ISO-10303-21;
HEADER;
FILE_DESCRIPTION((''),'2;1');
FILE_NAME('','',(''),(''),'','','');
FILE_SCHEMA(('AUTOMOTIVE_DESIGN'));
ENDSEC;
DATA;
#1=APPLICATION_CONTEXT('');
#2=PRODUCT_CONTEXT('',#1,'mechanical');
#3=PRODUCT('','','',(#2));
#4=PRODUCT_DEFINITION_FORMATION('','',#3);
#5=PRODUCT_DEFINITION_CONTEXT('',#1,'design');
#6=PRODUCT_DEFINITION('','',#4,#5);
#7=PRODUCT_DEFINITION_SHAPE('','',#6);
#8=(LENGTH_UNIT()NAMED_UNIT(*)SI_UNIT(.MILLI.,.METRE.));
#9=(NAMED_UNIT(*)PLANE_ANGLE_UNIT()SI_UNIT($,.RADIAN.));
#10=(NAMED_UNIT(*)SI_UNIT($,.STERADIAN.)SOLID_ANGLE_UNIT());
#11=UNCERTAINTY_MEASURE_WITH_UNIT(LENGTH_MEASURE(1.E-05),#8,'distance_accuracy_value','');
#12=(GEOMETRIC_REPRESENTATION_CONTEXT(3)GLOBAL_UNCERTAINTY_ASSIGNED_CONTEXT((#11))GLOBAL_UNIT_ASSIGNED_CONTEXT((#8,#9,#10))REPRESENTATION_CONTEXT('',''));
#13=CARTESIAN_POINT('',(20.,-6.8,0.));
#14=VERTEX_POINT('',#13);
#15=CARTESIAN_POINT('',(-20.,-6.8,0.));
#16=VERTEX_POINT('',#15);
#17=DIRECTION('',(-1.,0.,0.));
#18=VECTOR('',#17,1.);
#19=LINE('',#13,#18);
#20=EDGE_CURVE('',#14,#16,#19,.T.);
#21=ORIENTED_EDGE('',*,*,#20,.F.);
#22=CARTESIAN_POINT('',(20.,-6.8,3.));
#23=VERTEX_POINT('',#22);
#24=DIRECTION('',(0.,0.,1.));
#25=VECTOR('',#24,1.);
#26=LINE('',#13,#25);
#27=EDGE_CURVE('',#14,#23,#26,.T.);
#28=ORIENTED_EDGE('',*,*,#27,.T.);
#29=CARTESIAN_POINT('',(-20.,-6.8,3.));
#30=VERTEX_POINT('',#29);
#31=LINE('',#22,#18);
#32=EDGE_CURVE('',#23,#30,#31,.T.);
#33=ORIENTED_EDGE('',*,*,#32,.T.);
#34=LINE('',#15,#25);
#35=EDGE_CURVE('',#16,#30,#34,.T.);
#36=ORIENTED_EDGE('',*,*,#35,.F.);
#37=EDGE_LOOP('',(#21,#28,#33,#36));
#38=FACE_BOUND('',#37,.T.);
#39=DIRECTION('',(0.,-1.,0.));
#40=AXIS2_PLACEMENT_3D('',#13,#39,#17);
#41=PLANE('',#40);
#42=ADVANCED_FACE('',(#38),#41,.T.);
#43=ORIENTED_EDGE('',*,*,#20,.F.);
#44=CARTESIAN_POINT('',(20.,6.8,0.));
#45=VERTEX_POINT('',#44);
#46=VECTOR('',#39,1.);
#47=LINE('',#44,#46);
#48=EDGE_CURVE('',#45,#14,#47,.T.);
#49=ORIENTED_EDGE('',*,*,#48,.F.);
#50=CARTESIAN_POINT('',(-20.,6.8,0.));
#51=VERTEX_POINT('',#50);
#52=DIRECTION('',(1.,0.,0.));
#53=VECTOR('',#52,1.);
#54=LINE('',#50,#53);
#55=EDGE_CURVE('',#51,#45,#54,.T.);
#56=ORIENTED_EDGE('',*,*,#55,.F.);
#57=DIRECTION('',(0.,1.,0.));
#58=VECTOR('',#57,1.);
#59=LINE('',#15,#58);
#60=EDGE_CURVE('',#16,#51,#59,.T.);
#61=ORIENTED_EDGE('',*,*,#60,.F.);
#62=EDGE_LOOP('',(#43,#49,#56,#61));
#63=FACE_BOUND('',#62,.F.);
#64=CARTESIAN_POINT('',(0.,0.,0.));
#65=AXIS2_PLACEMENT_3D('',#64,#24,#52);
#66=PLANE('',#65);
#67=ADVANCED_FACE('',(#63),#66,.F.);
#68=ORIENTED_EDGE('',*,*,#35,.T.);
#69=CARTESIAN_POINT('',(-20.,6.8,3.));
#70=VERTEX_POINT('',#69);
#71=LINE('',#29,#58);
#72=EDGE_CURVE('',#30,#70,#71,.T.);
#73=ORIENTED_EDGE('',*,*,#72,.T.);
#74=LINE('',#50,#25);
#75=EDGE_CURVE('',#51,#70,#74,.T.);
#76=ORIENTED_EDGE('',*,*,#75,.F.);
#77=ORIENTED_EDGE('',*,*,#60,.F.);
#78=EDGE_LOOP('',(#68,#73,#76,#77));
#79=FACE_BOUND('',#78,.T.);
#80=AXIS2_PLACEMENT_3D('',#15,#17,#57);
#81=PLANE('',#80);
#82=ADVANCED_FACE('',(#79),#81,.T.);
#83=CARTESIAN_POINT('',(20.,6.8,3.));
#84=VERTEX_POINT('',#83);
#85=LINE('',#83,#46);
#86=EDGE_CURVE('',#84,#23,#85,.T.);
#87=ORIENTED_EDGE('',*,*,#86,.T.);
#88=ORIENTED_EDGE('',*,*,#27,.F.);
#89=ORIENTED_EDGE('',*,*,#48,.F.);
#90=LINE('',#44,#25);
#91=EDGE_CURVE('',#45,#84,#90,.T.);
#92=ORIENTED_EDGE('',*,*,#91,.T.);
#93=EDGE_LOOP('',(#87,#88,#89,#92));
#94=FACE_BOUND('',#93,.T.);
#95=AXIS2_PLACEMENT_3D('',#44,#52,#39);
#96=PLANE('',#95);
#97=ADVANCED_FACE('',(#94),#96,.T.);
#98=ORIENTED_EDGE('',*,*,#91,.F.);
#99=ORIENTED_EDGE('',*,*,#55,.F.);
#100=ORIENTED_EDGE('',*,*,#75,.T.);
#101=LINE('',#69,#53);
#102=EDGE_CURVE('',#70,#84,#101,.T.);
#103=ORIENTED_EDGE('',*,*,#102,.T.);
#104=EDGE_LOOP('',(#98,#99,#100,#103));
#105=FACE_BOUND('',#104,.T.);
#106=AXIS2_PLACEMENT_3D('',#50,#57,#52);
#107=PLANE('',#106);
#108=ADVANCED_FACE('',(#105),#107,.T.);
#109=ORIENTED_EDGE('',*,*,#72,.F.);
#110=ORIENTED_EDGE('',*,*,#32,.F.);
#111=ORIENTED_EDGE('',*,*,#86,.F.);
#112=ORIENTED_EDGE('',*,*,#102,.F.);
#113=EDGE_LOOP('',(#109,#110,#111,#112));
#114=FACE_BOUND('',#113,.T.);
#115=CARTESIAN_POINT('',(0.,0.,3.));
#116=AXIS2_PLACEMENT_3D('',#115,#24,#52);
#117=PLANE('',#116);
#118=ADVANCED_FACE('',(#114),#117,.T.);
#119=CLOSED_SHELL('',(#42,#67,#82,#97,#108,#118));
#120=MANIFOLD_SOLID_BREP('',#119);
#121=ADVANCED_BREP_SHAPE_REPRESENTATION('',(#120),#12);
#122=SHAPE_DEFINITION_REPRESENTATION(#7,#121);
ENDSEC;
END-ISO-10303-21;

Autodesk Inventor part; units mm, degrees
ref_plane "YZ Plane" through (0, 0, 0) normal (1, 0, 0) x (0, 1, 0)
ref_plane "XZ Plane" through (0, 0, 0) normal (0, 1, 0) x (-1, 0, 0)
ref_plane "XY Plane" through (0, 0, 0) normal (0, 0, 1) x (1, 0, 0)
sketch "Sketch1" plane through (0, 0, 0) normal (0, 0, 1) x (1, 0, 0)
  line L0 (-20, 6.8) -> (20, 6.8)
  line L1 (20, 6.8) -> (20, -6.8)
  line L2 (20, -6.8) -> (-20, -6.8)
  line L3 (-20, -6.8) -> (-20, 6.8)
  point P0 (0, 0)
  dimension "d0" = 13.6
  dimension "d1" = 40
  dimension "d2" = 20
  dimension "d3" = 6.8
extrude "Extrusion1" add sketch "Sketch1" along normal blind 3
equation "\"d2\" = 0.5 * d1"
equation "\"d3\" = 0.5 * d0"
properties part number "siliconBase"
